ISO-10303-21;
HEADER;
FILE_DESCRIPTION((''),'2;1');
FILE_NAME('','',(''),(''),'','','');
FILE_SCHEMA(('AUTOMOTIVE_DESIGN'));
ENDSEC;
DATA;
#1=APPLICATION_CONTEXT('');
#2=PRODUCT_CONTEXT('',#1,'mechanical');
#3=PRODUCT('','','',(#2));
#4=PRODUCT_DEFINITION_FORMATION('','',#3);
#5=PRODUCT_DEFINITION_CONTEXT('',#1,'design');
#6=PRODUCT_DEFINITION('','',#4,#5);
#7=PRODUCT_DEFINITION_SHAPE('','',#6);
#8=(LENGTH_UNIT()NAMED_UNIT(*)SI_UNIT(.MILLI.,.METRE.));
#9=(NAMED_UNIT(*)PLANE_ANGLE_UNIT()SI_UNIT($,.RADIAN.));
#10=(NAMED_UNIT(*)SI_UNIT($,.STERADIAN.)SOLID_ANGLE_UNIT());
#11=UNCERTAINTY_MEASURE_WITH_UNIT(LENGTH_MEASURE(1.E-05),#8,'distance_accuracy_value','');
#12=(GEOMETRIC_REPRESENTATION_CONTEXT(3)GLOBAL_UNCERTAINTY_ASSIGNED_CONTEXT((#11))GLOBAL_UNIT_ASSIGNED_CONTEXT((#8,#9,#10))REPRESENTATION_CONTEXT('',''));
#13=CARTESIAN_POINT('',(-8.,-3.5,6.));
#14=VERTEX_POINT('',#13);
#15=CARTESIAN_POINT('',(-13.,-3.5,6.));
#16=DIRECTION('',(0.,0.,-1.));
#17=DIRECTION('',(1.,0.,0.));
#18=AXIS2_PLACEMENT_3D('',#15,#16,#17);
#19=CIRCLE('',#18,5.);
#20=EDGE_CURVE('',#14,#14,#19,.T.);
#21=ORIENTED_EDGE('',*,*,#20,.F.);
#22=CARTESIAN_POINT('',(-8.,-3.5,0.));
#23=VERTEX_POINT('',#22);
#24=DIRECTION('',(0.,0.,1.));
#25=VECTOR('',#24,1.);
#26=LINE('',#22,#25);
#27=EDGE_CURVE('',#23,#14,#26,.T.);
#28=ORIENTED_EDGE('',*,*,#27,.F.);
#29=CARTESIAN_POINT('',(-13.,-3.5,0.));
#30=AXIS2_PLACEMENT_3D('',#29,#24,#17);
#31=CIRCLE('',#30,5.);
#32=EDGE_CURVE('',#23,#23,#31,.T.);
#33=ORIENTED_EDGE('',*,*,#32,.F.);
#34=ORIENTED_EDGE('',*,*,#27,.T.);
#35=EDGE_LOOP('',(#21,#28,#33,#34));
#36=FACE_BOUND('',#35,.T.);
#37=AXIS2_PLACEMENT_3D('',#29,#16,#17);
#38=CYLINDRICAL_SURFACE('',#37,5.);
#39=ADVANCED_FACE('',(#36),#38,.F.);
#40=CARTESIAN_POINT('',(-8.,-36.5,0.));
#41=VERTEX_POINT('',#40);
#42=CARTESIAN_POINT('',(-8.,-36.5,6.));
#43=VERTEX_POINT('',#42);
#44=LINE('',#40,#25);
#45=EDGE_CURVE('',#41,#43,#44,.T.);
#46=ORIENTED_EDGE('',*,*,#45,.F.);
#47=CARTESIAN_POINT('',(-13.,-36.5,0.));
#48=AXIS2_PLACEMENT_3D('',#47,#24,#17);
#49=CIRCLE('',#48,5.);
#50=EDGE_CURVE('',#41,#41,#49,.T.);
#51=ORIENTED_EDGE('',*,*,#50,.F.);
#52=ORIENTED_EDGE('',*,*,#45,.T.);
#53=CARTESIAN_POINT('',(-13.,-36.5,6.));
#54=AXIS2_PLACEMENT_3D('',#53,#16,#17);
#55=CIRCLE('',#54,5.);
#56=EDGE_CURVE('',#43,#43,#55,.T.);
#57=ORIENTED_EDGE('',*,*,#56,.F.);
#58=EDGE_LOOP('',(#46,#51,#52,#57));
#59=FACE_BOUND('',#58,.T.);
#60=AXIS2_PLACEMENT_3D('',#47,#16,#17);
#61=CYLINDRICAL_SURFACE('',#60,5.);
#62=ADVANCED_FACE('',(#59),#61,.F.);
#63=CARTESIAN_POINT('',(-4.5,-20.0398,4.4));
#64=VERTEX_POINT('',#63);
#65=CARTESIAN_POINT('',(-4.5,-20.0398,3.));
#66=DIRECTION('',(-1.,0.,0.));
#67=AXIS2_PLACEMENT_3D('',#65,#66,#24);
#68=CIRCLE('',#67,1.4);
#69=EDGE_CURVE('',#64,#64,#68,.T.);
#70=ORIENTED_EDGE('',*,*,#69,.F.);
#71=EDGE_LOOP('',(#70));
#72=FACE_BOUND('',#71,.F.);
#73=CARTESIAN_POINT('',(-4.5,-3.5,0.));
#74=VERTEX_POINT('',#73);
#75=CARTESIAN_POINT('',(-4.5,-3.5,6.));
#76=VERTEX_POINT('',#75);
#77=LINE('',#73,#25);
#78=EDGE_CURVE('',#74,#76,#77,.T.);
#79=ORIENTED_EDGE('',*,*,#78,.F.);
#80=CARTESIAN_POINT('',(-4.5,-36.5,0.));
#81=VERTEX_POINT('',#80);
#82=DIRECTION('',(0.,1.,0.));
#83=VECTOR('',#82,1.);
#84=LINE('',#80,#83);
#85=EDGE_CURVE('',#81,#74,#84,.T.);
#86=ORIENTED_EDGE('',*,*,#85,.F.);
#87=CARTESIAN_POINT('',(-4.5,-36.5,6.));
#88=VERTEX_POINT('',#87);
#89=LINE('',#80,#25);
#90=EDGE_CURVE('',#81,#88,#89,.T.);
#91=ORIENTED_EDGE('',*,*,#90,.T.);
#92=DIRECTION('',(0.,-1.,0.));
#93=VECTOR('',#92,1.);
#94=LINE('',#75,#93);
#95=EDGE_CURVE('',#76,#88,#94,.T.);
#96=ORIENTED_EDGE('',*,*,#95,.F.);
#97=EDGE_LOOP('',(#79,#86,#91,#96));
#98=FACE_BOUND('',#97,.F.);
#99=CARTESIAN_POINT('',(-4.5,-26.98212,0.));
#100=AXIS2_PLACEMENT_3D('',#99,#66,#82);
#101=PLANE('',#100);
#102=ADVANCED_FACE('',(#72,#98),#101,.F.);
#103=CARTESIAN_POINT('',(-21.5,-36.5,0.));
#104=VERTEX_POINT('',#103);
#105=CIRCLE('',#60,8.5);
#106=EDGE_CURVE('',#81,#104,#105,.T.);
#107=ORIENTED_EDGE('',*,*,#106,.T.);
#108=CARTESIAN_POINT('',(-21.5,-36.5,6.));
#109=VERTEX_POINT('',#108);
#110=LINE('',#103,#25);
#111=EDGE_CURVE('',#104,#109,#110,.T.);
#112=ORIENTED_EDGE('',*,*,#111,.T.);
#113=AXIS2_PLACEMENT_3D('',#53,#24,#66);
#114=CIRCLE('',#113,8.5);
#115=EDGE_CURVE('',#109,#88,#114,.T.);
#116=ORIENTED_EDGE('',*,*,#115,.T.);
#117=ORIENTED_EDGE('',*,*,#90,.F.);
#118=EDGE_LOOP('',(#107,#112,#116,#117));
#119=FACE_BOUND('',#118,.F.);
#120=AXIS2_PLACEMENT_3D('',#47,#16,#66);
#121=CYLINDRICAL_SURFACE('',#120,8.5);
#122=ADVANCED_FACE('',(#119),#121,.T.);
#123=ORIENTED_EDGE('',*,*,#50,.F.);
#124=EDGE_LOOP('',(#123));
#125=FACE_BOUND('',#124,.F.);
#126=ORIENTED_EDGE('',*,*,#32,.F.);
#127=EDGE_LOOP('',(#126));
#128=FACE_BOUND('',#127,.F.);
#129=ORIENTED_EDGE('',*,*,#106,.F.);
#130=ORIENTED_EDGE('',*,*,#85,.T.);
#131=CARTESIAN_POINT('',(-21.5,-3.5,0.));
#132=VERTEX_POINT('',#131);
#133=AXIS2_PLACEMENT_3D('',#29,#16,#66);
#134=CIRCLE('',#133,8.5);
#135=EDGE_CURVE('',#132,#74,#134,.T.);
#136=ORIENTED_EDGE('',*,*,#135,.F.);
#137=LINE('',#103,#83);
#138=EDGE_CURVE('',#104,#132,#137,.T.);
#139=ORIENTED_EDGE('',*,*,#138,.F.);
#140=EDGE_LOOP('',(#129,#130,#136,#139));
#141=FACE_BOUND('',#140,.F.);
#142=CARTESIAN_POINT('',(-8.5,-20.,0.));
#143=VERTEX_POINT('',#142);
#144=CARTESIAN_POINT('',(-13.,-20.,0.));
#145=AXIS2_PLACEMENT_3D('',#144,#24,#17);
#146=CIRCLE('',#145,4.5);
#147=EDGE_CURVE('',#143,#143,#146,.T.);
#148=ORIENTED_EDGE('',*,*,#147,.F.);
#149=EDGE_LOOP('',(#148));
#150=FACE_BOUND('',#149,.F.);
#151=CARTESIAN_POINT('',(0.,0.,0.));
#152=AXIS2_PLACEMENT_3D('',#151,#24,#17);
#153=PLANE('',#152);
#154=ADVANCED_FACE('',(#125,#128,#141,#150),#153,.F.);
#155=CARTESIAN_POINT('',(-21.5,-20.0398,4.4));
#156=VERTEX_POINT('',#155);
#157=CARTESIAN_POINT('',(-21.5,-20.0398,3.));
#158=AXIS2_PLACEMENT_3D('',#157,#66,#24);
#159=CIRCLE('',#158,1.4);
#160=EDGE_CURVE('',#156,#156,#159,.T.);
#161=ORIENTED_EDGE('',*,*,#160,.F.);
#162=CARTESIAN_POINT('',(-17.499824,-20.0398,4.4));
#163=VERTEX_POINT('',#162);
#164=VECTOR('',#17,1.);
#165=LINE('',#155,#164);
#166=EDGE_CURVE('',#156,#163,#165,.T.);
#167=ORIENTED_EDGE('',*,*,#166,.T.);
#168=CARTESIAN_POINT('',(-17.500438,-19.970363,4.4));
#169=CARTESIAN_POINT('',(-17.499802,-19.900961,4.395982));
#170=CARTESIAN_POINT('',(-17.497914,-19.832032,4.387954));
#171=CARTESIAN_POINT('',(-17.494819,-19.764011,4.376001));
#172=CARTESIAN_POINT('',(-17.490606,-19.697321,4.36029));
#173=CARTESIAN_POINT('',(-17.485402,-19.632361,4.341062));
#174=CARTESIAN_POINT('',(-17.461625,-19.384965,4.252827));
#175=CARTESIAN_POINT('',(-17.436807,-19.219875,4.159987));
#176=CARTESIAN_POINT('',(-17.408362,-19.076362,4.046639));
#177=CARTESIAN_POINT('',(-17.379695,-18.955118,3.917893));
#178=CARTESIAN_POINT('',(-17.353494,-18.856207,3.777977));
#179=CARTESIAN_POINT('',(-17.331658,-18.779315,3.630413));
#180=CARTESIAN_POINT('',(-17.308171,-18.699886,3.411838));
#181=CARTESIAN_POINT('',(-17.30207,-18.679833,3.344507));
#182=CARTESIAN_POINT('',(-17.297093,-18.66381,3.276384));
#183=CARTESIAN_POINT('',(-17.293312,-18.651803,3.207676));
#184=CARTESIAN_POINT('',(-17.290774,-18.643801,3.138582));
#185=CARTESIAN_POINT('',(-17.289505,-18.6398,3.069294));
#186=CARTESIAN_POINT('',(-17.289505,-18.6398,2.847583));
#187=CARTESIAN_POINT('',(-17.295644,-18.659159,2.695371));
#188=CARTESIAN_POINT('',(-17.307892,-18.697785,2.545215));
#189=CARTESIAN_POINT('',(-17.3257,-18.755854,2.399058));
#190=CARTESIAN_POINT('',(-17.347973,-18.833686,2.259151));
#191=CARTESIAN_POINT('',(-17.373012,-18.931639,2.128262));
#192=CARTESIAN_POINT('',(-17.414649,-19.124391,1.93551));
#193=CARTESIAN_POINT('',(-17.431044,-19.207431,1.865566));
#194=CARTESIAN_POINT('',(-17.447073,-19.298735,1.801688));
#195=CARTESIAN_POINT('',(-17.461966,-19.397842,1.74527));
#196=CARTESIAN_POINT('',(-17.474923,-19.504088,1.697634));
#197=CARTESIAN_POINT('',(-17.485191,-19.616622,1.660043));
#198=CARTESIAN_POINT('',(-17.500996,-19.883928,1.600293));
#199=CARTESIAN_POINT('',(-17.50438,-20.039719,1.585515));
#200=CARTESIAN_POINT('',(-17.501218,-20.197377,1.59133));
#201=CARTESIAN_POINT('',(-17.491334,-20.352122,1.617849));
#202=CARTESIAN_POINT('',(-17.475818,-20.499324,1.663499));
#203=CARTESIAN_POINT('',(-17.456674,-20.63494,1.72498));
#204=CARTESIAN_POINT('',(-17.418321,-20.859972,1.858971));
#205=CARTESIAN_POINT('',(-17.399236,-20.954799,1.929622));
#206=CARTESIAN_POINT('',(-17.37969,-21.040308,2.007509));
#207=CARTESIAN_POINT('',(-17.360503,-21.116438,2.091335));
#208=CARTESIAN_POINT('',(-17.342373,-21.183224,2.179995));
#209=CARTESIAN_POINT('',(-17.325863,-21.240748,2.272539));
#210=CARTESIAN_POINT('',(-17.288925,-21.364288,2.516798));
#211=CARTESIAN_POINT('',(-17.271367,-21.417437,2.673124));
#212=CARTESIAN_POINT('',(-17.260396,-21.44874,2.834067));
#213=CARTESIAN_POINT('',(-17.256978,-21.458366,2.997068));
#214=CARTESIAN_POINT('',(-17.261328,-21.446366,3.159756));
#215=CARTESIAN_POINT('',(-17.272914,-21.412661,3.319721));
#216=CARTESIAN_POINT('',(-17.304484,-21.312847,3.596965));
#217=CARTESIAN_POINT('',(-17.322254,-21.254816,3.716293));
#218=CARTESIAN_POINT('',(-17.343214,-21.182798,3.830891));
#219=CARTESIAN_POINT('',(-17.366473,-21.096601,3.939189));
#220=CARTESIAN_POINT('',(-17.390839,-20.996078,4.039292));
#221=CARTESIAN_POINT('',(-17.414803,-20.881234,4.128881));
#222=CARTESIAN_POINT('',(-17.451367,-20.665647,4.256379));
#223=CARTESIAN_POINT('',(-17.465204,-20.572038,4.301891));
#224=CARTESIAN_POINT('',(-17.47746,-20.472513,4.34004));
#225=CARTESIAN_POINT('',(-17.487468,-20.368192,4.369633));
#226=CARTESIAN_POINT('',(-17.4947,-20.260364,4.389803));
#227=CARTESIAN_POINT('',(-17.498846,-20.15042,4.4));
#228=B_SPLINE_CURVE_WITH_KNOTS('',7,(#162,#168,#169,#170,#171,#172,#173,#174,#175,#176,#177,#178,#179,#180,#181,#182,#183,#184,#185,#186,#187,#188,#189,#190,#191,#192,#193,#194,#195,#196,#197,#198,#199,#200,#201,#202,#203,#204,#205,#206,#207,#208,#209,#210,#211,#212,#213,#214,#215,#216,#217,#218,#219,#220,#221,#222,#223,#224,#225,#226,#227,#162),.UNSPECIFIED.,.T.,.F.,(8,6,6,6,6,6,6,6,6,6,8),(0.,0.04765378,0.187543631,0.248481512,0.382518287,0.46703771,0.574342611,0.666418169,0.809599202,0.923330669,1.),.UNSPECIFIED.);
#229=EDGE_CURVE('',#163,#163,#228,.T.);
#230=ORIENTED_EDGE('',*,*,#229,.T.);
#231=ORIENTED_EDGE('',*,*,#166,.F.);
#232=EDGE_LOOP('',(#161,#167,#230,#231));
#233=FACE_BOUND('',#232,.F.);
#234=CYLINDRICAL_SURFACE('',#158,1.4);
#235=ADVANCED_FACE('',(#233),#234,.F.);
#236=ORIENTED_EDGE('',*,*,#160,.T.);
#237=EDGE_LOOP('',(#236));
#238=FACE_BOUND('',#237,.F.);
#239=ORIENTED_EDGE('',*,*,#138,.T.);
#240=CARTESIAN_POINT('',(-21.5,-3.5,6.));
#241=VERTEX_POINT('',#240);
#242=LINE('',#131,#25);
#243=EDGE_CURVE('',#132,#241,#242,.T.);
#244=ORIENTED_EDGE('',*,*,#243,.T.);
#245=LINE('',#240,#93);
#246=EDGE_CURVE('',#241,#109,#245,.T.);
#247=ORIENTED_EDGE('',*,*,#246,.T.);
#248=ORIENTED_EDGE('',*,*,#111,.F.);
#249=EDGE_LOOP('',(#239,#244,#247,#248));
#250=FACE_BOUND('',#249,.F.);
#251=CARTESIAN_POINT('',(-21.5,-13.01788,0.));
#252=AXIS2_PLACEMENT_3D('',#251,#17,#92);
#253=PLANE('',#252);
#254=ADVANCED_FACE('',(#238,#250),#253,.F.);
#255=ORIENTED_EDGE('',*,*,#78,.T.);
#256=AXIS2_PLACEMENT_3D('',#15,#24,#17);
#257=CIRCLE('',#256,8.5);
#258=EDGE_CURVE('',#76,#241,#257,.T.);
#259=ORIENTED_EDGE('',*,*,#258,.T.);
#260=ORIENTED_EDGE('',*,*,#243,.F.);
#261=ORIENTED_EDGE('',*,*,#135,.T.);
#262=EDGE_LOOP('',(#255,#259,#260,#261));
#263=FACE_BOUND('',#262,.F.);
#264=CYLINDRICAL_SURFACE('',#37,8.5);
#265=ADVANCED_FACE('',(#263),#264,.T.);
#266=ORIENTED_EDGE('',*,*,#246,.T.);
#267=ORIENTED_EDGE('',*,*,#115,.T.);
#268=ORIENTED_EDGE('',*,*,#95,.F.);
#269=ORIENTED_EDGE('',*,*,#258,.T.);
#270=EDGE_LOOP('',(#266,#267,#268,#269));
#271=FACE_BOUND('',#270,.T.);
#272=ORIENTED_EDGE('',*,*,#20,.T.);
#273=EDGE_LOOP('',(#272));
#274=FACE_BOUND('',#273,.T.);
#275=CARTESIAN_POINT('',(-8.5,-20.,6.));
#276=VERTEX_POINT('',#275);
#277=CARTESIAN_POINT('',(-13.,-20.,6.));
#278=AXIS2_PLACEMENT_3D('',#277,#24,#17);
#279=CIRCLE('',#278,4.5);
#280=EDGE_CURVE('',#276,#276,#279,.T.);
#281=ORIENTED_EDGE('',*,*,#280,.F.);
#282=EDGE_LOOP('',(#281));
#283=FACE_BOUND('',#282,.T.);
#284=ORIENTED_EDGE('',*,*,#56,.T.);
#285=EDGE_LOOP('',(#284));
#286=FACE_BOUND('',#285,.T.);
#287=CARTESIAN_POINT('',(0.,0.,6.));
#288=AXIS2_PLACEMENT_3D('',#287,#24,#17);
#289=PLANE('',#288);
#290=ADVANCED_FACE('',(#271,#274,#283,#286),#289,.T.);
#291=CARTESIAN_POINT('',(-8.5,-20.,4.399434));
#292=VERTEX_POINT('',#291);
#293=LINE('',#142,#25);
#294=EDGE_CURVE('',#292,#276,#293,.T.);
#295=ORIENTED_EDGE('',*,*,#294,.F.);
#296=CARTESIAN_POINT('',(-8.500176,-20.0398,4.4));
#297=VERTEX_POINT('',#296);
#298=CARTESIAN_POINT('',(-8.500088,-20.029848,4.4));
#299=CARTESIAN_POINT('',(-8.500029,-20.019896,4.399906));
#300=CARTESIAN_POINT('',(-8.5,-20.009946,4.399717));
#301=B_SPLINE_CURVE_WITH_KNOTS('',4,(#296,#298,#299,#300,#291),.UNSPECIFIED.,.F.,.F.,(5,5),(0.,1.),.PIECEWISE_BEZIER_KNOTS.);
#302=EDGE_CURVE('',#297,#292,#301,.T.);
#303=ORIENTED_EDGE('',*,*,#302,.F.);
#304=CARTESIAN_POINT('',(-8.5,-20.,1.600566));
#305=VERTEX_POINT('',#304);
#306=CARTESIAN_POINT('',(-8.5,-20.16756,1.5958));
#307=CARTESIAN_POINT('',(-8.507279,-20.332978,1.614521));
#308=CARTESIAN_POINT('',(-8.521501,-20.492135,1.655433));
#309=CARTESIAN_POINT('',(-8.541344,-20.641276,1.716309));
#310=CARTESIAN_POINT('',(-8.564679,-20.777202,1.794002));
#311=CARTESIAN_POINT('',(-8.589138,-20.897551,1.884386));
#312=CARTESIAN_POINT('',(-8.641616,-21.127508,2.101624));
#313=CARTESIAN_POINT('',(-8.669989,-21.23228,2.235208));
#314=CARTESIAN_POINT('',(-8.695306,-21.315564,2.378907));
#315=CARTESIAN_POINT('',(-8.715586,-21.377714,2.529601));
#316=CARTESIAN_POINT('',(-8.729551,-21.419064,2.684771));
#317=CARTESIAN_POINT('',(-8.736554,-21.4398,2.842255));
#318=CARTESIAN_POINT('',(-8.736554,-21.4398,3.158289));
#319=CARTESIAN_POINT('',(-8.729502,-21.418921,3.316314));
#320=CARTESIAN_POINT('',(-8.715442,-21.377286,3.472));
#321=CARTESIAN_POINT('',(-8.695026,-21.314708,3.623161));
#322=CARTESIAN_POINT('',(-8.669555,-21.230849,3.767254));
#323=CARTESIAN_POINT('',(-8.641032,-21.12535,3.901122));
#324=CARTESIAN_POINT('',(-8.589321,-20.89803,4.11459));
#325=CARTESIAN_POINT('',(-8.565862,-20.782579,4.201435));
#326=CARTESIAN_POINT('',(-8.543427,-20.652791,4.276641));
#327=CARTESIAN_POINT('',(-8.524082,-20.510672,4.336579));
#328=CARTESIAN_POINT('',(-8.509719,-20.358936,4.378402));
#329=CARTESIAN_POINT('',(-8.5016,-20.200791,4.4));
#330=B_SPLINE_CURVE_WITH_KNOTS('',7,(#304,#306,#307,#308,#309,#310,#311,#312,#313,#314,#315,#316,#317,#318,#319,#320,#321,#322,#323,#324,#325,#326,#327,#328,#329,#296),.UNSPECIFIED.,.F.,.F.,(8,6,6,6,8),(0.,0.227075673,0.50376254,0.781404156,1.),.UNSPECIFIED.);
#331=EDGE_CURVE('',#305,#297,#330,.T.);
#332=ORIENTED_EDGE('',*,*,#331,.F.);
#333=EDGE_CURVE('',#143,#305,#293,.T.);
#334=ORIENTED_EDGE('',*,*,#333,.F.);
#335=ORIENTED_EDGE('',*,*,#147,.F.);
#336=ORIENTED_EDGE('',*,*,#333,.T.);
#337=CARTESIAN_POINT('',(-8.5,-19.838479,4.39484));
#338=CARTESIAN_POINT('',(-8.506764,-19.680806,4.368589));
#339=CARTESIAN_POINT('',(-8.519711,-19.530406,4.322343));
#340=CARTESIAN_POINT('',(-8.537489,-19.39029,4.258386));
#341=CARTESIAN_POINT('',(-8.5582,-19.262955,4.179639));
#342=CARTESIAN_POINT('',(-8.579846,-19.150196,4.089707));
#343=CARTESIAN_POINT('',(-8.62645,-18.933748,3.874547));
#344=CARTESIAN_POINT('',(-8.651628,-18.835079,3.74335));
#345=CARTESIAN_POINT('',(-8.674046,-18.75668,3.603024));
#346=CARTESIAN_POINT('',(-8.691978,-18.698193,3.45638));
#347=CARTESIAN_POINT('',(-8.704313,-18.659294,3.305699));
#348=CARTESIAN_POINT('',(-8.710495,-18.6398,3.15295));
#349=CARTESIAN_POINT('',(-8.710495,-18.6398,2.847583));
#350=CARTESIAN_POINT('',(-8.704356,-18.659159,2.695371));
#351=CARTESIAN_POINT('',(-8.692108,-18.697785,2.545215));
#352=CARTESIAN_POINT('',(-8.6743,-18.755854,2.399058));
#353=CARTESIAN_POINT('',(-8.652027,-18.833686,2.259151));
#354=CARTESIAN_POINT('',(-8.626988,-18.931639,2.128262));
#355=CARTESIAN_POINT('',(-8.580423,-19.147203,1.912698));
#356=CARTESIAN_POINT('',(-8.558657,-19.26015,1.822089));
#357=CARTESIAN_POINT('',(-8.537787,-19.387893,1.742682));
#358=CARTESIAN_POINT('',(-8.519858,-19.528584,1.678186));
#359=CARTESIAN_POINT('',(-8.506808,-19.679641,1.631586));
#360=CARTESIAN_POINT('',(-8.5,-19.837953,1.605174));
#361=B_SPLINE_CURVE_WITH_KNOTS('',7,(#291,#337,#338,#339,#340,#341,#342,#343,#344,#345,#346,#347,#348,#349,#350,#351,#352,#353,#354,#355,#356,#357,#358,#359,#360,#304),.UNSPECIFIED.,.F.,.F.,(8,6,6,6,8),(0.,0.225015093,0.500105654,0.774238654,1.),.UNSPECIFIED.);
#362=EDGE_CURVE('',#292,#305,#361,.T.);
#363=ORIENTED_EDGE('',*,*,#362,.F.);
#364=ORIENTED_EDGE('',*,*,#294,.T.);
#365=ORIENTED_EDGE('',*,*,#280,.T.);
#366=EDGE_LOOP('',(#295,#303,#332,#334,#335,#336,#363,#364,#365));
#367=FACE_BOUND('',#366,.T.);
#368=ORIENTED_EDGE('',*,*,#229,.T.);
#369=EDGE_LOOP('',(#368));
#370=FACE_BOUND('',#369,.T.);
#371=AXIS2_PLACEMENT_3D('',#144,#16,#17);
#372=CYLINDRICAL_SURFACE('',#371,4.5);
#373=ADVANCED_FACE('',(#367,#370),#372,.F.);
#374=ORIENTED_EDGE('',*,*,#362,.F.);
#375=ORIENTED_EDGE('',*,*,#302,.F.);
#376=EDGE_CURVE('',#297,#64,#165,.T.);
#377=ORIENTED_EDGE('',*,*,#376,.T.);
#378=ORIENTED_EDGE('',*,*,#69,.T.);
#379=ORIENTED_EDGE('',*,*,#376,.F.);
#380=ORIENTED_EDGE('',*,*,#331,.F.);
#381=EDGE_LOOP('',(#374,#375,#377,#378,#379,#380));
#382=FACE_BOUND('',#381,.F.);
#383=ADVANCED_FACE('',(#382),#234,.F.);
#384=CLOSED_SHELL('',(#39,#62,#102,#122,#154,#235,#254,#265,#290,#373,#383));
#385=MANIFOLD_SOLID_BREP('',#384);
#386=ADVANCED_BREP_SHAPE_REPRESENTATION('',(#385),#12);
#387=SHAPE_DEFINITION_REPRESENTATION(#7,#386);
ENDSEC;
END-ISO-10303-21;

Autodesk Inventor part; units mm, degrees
ref_plane "YZ Plane" through (0, 0, 0) normal (1, 0, 0) x (0, 1, 0)
ref_plane "XZ Plane" through (0, 0, 0) normal (0, 1, 0) x (-1, 0, 0)
ref_plane "XY Plane" through (0, 0, 0) normal (0, 0, 1) x (1, 0, 0)
ref_plane "Arbeitsebene1" through (0, 0, 0) normal (0, 0, 1) x (1, 0, 0)
sketch "Skizze1" plane through (0, 0, 0) normal (0, 0, 1) x (1, 0, 0)
  circle A0 centre (-13, -20) radius 11 projected
  circle A1 centre (-13, -36.5) radius 2 projected
  circle A2 centre (-13, -3.5) radius 2 projected
  line L0 (0, 0) -> (0, -9.8388) projected
  line L1 (-29, 0) -> (0, 0) projected
  line L2 (-33, -4) -> (-29, 0) projected
  line L3 (-33, -4) -> (-33, -36) projected
  line L4 (-29, -40) -> (-33, -36) projected
  line L5 (0, -40) -> (-29, -40) projected
  line L6 (0, -30.1612) -> (0, -40) projected
  arc A3 (0, -30.1612) -> (0, -9.8388) centre (-13, -20) ccw projected
  circle A4 centre (-13, -3.5) radius 5
  circle A5 centre (-13, -36.5) radius 5
  circle A6 centre (-13, -20) radius 4.5
  line L7 (-13, -3.5) -> (-13, -36.5) construction
  line L8 (-21.5, -3.5) -> (-21.5, -36.5)
  line L9 (-4.5, -36.5) -> (-4.5, -3.5)
  arc A7 (-4.5, -3.5) -> (-21.5, -3.5) centre (-13, -3.5) ccw
  arc A8 (-21.5, -36.5) -> (-4.5, -36.5) centre (-13, -36.5) ccw
  point P0 (-13, -20)
  dimension "d0" = 10
  dimension "d1" = 10
  dimension "d2" = 9
  dimension "d3" = 17
extrude "Extrusion1" add sketch "Skizze1" along normal blind 6 contours L9 A0 L8 | A0 L8 A7 L1 A4 L9 | L9 A8 L5 A5 L8 A0 | L1 A4 A7 | A8 L5 A5
sketch "Skizze2" plane through (-21.5, -36.5, 0) normal (-1, 0, 0) x (0, 0, 1)
  line L0 (6, 21) -> (0, 21) projected
  line L1 (6, 12) -> (0, 12) projected
  circle A0 centre (3, 16.4602) radius 1.4
  point P0 (0, 36.5)
  dimension "d6" = 2.8
extrude "Extrusion2" cut sketch "Skizze2" against normal through all
properties part number "40_XYZstage_micrometer_motorized_nema8_samplemount_lightsheet_syringemount_screwed"
